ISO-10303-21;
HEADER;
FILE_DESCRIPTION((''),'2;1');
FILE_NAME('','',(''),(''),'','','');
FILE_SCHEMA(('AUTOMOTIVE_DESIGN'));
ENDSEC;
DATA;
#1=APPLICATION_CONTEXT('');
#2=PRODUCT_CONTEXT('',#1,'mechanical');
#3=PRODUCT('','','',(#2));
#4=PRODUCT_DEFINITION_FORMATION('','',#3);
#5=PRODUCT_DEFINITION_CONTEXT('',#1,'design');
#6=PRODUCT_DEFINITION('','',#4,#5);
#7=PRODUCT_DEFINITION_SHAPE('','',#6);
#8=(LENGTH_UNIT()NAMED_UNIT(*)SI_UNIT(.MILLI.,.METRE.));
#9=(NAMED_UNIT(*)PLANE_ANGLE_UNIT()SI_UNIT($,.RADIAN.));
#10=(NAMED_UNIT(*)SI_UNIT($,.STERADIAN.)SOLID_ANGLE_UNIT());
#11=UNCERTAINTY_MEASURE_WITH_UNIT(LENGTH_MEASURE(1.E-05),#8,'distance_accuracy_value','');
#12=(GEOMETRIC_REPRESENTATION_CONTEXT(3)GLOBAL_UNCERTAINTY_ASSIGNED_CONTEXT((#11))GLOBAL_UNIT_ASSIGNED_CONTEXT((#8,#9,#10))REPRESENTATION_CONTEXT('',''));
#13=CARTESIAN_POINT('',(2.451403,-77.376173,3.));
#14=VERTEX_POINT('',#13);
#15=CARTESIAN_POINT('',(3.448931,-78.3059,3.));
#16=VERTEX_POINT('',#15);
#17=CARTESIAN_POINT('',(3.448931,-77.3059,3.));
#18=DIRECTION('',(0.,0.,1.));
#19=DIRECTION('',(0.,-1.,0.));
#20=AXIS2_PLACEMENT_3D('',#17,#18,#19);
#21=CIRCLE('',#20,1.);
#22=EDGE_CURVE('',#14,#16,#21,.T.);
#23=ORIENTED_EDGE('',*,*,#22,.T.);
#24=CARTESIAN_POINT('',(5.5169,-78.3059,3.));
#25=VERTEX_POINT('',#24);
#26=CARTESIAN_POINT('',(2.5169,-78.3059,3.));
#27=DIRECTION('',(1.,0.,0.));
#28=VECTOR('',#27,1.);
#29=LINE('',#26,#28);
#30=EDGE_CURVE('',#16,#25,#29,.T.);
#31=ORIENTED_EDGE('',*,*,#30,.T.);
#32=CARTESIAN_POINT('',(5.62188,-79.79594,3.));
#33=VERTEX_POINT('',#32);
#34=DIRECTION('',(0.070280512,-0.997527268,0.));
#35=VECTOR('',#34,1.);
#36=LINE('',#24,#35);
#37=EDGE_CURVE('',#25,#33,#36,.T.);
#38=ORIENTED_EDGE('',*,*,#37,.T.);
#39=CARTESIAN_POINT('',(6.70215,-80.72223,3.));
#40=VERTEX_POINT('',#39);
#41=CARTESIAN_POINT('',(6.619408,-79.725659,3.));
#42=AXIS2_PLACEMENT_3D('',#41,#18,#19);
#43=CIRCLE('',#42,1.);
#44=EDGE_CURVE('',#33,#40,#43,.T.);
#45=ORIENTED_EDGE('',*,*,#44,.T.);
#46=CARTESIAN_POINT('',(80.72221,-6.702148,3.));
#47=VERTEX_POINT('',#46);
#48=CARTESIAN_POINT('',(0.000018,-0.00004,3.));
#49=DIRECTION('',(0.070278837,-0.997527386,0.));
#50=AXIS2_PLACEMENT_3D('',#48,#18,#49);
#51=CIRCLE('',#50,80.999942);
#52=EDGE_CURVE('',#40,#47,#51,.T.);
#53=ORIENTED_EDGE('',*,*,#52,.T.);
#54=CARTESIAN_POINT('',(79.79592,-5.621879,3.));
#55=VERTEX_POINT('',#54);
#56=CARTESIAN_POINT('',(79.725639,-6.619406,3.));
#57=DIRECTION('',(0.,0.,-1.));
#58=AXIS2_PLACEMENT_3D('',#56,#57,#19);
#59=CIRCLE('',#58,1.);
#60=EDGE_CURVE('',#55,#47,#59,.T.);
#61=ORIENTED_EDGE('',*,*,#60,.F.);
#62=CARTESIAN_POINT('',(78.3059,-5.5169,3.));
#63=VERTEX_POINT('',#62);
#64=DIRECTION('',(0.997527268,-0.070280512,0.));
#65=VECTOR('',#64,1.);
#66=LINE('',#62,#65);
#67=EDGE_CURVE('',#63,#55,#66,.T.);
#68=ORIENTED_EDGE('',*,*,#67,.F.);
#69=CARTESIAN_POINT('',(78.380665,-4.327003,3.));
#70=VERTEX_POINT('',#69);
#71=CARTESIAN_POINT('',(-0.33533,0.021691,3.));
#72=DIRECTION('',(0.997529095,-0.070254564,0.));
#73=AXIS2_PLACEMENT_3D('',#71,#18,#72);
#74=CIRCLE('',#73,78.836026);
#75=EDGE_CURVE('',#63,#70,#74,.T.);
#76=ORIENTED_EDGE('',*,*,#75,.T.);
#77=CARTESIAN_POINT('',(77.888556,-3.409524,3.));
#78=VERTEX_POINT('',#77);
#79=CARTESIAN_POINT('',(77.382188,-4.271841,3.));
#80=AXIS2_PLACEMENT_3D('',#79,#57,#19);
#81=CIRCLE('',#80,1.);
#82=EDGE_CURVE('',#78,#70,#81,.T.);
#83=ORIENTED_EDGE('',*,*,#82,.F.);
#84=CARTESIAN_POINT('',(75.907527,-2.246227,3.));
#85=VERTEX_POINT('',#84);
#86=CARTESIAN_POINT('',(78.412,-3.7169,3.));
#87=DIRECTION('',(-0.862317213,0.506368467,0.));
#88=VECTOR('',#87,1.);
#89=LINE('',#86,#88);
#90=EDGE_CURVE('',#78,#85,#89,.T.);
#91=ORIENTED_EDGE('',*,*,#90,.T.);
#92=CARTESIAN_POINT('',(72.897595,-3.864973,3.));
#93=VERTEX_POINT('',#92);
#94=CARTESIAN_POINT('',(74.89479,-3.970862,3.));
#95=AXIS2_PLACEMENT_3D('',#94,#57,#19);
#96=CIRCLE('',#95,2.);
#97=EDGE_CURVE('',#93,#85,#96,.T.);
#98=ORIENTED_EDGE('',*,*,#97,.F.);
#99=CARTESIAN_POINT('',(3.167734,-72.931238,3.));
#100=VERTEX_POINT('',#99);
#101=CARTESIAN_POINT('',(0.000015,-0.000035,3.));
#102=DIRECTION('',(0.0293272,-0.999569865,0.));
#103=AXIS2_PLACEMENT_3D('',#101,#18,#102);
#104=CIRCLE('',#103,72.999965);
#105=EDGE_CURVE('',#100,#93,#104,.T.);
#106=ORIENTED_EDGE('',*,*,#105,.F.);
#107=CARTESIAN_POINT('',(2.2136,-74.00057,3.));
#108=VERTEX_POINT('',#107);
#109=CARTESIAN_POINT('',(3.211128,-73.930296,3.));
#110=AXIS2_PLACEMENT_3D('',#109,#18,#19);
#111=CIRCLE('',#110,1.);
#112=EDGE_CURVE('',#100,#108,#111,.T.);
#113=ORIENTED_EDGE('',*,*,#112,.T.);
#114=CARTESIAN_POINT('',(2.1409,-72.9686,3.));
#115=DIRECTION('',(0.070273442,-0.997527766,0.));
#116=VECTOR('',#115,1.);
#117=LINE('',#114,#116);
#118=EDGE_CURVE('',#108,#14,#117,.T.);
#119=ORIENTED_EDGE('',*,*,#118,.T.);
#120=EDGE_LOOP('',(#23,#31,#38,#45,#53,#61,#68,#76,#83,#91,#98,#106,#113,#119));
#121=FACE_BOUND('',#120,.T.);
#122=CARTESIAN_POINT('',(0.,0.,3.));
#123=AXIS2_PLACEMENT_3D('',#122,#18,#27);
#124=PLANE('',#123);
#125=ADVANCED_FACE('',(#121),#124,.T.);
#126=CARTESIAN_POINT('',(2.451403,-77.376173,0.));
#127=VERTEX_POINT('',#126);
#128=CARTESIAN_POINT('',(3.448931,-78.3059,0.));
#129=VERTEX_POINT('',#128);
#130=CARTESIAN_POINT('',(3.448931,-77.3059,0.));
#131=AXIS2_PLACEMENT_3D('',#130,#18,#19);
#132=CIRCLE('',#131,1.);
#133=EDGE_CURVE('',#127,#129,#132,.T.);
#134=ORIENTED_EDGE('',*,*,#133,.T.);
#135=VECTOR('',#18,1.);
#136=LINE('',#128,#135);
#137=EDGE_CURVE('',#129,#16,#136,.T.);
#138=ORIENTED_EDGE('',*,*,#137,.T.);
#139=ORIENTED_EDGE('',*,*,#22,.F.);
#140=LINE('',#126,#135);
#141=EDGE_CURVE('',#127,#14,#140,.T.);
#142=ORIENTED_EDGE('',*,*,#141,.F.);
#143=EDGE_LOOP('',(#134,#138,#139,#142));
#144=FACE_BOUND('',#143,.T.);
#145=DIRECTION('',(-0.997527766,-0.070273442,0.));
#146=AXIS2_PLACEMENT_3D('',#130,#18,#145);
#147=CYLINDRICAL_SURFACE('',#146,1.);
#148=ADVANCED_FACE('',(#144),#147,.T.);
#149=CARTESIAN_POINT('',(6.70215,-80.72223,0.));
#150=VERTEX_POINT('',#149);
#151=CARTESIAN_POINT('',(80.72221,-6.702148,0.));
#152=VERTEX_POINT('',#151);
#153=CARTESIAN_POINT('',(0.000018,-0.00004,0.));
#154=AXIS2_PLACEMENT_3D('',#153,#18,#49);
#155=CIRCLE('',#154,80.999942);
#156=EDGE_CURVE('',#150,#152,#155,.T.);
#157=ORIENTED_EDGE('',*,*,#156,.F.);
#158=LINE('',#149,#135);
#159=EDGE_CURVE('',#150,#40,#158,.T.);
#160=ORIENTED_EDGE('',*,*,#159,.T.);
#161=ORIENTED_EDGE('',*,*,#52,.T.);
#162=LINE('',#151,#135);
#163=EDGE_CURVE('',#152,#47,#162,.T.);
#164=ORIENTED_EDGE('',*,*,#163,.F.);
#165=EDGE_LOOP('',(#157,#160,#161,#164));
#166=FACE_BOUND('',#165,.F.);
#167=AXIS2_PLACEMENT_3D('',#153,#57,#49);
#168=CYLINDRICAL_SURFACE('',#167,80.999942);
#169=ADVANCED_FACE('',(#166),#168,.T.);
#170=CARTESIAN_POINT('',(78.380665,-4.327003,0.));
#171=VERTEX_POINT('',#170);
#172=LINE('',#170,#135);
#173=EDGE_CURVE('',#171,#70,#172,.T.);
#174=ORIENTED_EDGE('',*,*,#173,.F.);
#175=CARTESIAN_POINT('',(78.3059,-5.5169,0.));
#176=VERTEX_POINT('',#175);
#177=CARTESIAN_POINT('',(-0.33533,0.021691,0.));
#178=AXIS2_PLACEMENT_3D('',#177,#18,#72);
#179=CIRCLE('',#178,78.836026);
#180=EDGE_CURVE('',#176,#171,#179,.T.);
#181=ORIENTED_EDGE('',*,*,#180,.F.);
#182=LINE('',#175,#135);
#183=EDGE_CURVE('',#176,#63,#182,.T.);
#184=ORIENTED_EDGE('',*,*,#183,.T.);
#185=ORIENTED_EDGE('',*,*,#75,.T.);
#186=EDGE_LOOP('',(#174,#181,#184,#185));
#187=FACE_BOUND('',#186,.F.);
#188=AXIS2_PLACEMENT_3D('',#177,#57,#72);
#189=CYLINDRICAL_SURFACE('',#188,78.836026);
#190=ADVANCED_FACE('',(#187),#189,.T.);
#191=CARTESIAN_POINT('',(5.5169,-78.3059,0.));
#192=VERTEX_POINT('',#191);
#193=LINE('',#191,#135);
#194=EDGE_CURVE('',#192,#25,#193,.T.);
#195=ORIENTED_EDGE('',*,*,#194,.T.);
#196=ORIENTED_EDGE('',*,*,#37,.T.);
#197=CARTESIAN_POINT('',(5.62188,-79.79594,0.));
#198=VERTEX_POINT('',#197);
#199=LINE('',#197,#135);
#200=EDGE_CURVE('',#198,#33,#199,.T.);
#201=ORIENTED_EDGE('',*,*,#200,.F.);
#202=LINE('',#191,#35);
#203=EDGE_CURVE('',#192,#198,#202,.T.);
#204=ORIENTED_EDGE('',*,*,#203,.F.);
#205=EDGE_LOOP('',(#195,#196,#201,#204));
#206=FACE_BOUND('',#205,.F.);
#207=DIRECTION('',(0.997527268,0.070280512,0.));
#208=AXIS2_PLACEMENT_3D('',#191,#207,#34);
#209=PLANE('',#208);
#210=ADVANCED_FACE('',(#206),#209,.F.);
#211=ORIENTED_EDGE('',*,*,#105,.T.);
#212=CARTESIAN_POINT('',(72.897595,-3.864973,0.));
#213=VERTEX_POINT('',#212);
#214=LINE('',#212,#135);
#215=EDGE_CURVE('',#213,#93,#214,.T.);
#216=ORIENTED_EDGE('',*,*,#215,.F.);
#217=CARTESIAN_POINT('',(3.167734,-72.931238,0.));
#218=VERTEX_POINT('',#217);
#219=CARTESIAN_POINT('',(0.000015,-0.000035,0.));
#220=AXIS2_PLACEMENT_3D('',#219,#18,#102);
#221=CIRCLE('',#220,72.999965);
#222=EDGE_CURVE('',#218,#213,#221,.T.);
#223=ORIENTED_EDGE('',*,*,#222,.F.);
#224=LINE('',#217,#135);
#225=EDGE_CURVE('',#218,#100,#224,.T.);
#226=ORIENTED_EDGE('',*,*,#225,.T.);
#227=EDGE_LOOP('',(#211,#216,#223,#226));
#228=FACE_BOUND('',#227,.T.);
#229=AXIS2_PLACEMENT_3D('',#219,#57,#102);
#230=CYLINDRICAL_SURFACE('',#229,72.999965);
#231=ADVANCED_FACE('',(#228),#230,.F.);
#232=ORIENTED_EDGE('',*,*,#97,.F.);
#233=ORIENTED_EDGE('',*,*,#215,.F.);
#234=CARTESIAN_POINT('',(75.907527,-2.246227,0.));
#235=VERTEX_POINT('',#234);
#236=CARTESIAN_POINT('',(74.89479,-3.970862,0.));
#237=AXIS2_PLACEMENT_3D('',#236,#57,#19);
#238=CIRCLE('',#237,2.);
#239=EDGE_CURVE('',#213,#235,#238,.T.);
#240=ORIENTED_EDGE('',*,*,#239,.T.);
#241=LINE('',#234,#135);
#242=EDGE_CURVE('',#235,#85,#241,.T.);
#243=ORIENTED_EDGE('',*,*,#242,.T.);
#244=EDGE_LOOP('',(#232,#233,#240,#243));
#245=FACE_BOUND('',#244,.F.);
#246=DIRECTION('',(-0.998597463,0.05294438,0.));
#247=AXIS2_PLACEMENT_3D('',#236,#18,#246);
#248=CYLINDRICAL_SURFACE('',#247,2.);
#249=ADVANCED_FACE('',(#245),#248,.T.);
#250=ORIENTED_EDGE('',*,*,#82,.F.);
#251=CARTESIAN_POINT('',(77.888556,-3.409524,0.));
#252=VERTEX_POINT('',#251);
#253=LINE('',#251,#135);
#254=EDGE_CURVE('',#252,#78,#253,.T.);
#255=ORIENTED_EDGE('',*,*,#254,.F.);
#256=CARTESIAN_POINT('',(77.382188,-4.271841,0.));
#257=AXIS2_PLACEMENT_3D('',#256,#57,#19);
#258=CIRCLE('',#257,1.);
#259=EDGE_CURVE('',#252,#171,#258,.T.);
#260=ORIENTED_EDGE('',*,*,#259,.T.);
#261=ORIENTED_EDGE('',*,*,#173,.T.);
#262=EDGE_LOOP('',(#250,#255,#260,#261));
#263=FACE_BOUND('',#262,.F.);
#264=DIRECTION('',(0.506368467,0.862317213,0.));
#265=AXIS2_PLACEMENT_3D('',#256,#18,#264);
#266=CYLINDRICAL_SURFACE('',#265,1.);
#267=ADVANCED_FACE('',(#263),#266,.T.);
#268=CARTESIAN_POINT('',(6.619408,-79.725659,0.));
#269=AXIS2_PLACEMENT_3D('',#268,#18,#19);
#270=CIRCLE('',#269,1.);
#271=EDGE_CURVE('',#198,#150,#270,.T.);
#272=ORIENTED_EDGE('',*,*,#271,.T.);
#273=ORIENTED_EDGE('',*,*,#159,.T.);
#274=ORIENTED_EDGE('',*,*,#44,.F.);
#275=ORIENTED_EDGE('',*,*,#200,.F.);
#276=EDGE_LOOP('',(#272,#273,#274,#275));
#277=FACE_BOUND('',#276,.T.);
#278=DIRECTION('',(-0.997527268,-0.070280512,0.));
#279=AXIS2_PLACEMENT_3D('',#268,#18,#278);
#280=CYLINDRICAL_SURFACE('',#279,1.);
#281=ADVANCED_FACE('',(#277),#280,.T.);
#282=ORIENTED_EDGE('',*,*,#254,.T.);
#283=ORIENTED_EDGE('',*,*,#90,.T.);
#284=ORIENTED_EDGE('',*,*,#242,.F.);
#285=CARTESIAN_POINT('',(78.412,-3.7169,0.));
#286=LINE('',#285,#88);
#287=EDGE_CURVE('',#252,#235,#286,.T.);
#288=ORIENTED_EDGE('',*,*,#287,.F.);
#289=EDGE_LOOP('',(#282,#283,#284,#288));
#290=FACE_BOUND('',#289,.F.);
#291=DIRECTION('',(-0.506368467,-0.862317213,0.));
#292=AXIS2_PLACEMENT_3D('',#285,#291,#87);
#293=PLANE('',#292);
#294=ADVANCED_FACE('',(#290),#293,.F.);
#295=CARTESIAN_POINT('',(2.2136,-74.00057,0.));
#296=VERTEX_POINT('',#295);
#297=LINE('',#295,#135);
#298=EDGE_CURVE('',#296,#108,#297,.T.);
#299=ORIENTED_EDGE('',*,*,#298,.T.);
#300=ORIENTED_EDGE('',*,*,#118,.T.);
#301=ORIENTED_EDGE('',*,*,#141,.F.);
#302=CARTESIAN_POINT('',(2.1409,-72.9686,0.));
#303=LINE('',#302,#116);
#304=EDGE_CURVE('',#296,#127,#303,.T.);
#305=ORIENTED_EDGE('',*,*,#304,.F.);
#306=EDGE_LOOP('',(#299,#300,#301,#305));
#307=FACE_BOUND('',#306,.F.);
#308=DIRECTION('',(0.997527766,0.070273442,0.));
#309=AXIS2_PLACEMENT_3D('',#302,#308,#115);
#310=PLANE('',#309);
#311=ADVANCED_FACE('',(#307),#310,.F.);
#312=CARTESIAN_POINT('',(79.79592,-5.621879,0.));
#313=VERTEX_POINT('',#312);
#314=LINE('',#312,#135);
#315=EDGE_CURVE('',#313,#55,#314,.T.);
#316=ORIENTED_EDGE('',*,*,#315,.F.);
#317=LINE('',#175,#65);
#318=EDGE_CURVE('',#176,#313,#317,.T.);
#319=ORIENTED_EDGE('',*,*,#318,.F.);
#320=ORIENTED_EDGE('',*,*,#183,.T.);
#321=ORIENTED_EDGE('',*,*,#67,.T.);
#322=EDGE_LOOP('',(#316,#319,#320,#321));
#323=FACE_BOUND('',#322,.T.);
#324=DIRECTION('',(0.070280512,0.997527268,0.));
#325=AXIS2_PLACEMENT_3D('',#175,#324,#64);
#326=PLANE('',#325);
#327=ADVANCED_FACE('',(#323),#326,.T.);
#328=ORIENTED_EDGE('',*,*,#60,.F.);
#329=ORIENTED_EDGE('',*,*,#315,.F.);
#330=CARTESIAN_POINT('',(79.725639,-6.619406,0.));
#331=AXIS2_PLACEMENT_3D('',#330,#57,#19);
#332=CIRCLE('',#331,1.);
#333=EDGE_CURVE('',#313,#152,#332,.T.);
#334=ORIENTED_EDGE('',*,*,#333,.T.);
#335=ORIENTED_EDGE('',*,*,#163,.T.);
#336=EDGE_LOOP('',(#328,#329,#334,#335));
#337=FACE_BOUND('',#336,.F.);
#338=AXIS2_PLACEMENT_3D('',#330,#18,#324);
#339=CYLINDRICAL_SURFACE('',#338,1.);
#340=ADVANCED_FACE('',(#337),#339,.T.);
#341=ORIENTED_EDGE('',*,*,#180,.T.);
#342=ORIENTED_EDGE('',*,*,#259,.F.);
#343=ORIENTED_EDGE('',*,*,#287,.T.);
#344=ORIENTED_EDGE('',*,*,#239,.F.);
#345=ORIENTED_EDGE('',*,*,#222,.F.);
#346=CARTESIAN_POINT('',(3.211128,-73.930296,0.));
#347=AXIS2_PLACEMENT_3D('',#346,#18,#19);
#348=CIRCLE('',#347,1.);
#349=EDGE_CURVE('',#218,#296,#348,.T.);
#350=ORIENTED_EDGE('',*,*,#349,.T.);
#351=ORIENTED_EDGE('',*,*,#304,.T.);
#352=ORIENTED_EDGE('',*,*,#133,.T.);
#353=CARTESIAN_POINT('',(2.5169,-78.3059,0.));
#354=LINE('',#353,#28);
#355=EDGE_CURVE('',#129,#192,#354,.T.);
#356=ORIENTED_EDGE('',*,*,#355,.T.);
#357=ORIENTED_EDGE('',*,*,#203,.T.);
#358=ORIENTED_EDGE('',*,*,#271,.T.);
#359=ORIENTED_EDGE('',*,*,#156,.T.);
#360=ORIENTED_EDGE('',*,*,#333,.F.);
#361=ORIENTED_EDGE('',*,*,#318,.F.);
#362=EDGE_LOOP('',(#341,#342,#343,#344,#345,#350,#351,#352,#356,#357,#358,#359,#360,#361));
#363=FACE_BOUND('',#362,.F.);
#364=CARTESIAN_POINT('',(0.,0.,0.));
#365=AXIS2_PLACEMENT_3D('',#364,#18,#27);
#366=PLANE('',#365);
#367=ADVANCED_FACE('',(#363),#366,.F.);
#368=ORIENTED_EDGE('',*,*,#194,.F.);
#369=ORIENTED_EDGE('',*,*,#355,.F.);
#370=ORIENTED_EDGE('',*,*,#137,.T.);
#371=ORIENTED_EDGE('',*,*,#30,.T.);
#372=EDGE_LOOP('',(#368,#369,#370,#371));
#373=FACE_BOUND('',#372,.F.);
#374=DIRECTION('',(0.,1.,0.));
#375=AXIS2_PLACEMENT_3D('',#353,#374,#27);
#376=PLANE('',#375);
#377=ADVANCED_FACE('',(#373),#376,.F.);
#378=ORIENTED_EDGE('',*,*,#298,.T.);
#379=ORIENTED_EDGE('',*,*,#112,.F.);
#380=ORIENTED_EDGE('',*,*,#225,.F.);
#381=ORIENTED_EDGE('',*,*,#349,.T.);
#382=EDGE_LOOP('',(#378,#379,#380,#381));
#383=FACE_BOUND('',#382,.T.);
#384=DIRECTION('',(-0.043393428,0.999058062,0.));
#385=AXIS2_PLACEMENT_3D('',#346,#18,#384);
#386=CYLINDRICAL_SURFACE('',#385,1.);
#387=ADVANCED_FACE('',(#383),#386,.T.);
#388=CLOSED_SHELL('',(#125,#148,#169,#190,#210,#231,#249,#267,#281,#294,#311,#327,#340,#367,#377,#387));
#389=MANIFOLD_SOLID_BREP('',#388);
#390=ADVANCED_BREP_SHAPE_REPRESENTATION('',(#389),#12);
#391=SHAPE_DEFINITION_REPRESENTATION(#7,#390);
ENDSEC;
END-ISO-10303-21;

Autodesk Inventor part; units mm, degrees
ref_plane "YZ Plane" through (0, 0, 0) normal (1, 0, 0) x (0, 1, 0)
ref_plane "XZ Plane" through (0, 0, 0) normal (0, 1, 0) x (-1, 0, 0)
ref_plane "XY Plane" through (0, 0, 0) normal (0, 0, 1) x (1, 0, 0)
sketch "Sketch1" plane through (0, 0, 0) normal (0, 0, 1) x (1, 0, 0)
  arc A0 (5.6926, -80.7997) -> (80.8293, -5.2553) centre (0, 0) ccw
  arc A1 (2.1409, -72.9686) -> (72.998, -0.5377) centre (0, 0) ccw
  line L0 (72.998, -0.5377) -> (80.8095, -0.5953) construction
  line L1 (0, 0) -> (0, 0) construction
  line L2 (2.1409, -72.9686) -> (2.5169, -78.3059)
  line L3 (2.5169, -78.3059) -> (5.5169, -78.3059)
  line L4 (5.5169, -78.3059) -> (5.6926, -80.7997)
  line L5 (78.412, -3.7169) -> (72.998, -0.5377)
  line L6 (78.3059, -5.5169) -> (80.7997, -5.6926)
  arc A2 (78.3059, -5.5169) -> (78.412, -3.7169) centre (0, 0) ccw
  line L7 (0, 0) -> (0, -120.2528) construction
  line L8 (0, 0) -> (5.9355, -84.2471) construction
  line L9 (0, 0) -> (88.2589, 0) construction
  line L10 (0, 0) -> (93.5685, -6.5922) construction
  line L11 (72.998, -0.5377) -> (0, 0) construction
  dimension "d0" = 162
  dimension "d1" = 146
  dimension "d38" = 2.5
  dimension "d39" = 3
  dimension "d40" = 30
  dimension "d52" = 78.5
  dimension "d53" = 1.8
  dimension "d55" = 4.03
  dimension "d57" = 4.03
extrude "Extrusion1" add sketch "Sketch1" along normal blind 3
fillet "Fillet6" radius 2 1 edges at (72.998, -0.5377, 1.5)
sketch "Sketch5" plane through (0, 0, 3) normal (0, 0, 1) x (1, 0, 0)
  line L0 (10.4211, -74.15) -> (12.817, -75.9554)
  line L1 (12.817, -75.9554) -> (11.0116, -78.3513)
  line L2 (11.0116, -78.3513) -> (8.6157, -76.5459)
  line L3 (8.6157, -76.5459) -> (10.4211, -74.15)
  line L4 (0, 0) -> (11.0116, -78.3513) construction
  line L5 (12.817, -75.9554) -> (8.6157, -76.5459) construction
  line L6 (0, 0) -> (0, -125.3413) construction
  line L7 (15.0785, -75.539) -> (16.6742, -72.9985)
  line L8 (16.6742, -72.9985) -> (19.2146, -74.5942)
  line L9 (19.2146, -74.5942) -> (17.619, -77.1347)
  line L10 (17.619, -77.1347) -> (15.0785, -75.539)
  line L11 (21.4327, -73.9874) -> (22.8071, -71.3208)
  line L12 (22.8071, -71.3208) -> (25.4737, -72.6952)
  line L13 (25.4737, -72.6952) -> (24.0993, -75.3618)
  line L14 (24.0993, -75.3618) -> (21.4327, -73.9874)
  line L15 (27.6323, -71.9024) -> (28.7755, -69.1288)
  line L16 (28.7755, -69.1288) -> (31.5492, -70.272)
  line L17 (31.5492, -70.272) -> (30.406, -73.0456)
  line L18 (30.406, -73.0456) -> (27.6323, -71.9024)
  line L19 (33.6327, -69.2989) -> (34.5365, -66.4383)
  line L20 (34.5365, -66.4383) -> (37.3971, -67.3421)
  line L21 (37.3971, -67.3421) -> (36.4933, -70.2027)
  line L22 (36.4933, -70.2027) -> (33.6327, -69.2989)
  line L23 (39.3906, -66.1958) -> (40.0484, -63.2688)
  line L24 (40.0484, -63.2688) -> (42.9754, -63.9266)
  line L25 (42.9754, -63.9266) -> (42.3176, -66.8536)
  line L26 (42.3176, -66.8536) -> (39.3906, -66.1958)
  line L27 (44.8644, -62.6154) -> (45.2716, -59.6431)
  line L28 (45.2716, -59.6431) -> (48.2438, -60.0503)
  line L29 (48.2438, -60.0503) -> (47.8367, -63.0225)
  line L30 (47.8367, -63.0225) -> (44.8644, -62.6154)
  line L31 (50.0148, -58.5834) -> (50.1683, -55.5874)
  line L32 (50.1683, -55.5874) -> (53.1644, -55.7409)
  line L33 (53.1644, -55.7409) -> (53.0109, -58.737)
  line L34 (53.0109, -58.737) -> (50.0148, -58.5834)
  line L35 (54.8046, -54.1291) -> (54.7033, -51.1308)
  line L36 (54.7033, -51.1308) -> (57.7016, -51.0296)
  line L37 (57.7016, -51.0296) -> (57.8028, -54.0279)
  line L38 (57.8028, -54.0279) -> (54.8046, -54.1291)
  line L39 (59.1991, -49.2845) -> (58.8439, -46.3056)
  line L40 (58.8439, -46.3056) -> (61.8228, -45.9504)
  line L41 (61.8228, -45.9504) -> (62.178, -48.9293)
  line L42 (62.178, -48.9293) -> (59.1991, -49.2845)
  line L43 (63.1669, -44.0845) -> (62.5602, -41.1465)
  line L44 (62.5602, -41.1465) -> (65.4982, -40.5399)
  line L45 (65.4982, -40.5399) -> (66.1049, -43.4779)
  line L46 (66.1049, -43.4779) -> (63.1669, -44.0845)
  line L47 (66.6792, -38.5667) -> (65.8254, -35.6907)
  line L48 (65.8254, -35.6907) -> (68.7014, -34.837)
  line L49 (68.7014, -34.837) -> (69.5551, -37.713)
  line L50 (69.5551, -37.713) -> (66.6792, -38.5667)
  line L51 (69.7107, -32.7708) -> (68.616, -29.9776)
  line L52 (68.616, -29.9776) -> (71.4092, -28.883)
  line L53 (71.4092, -28.883) -> (72.5038, -31.6761)
  line L54 (72.5038, -31.6761) -> (69.7107, -32.7708)
  line L55 (72.2395, -26.7386) -> (70.9119, -24.0483)
  line L56 (70.9119, -24.0483) -> (73.6021, -22.7207)
  line L57 (73.6021, -22.7207) -> (74.9298, -25.4109)
  line L58 (74.9298, -25.4109) -> (72.2395, -26.7386)
  line L59 (74.2475, -20.5136) -> (72.6964, -17.9457)
  line L60 (72.6964, -17.9457) -> (75.2643, -16.3946)
  line L61 (75.2643, -16.3946) -> (76.8154, -18.9625)
  line L62 (76.8154, -18.9625) -> (74.2475, -20.5136)
  line L63 (75.7202, -14.1407) -> (73.9568, -11.7136)
  line L64 (73.9568, -11.7136) -> (76.3838, -9.9503)
  line L65 (76.3838, -9.9503) -> (78.1472, -12.3773)
  line L66 (78.1472, -12.3773) -> (75.7202, -14.1407)
  line L67 (73.9568, -11.7136) -> (78.1472, -12.3773) construction
  point P0 (10.7163, -76.2506)
  dimension "d43" = 3
  dimension "d44" = 77
  dimension "d45" = 8
  dimension "d48" = 73
  dimension "d58" = 73
extrude "Extrusion5" [suppressed]
fillet "Fillet7" radius 1 5 edges at (78.412, -3.7169, 1.5) (80.7997, -5.6926, 1.5) (5.6926, -80.7997, 1.5) (2.1409, -72.9686, 1.5) (2.5169, -78.3059, 1.5)
sketch "Sketch3" plane through (0, 0, 3) normal (0, 0, 1) x (1, 0, 0)
  line L0 (10, -73.0753) -> (2.1409, -73.0753) projected
  circle A0 centre (3.5, -73.0753) radius 1.5
  line L1 (2.1409, -72.9686) -> (2.7074, -81.01) construction
  line L2 (2, -77.0253) -> (11.8753, -77.0253) construction
  ellipse E0 centre (3.5, -81.0253) end of major axis (5, -81.0253) minor radius 0.75
  point P0 (0, 0)
  point P1 (5.6926, -80.7997)
  point P2 (2, -73.0753)
  point P3 (5, -73.0753)
  dimension "d15" = 3
  dimension "d16" = 1.5
  dimension "d20" = 0.75
  dimension "d21" = 1.5
  dimension "d22" = 4
sketch "Sketch4" plane through (0, 0, 3) normal (0, 0, 1) x (1, 0, 0)
  line L0 (80.9861, -1.5) -> (70.9842, -1.5) projected
  line L1 (80.9861, -1.5) -> (78.9861, -1.5)
  line L2 (78.9861, -4) -> (80.9012, -4)
  arc A0 (4.9576, -80.8481) -> (80.9861, -1.5) centre (0, 0) ccw projected
  arc A1 (80.9012, -4) -> (80.9861, -1.5) centre (0, 0) ccw
  line L3 (78.9861, -1.5) -> (78.9861, -4)
  line L4 (74.2542, -1.5) -> (70.9842, -1.5)
  arc A2 (10.8472, -70.1665) -> (70.9842, -1.5) centre (0, 0) ccw projected
  arc A3 (70.8727, -4.25) -> (70.9842, -1.5) centre (0, 0) ccw
  line L5 (70.8727, -4.25) -> (74.2542, -4.25)
  line L6 (74.2542, -4.25) -> (74.2542, -1.5)
  point P0 (10, -70.2922)
  dimension "d25" = 2.5
  dimension "d30" = 2
  dimension "d31" = 2.75
  dimension "d32" = 3.27
equation "\"d16\" = 0.5 * d15"
properties part number "shim_cartridge_V4"
